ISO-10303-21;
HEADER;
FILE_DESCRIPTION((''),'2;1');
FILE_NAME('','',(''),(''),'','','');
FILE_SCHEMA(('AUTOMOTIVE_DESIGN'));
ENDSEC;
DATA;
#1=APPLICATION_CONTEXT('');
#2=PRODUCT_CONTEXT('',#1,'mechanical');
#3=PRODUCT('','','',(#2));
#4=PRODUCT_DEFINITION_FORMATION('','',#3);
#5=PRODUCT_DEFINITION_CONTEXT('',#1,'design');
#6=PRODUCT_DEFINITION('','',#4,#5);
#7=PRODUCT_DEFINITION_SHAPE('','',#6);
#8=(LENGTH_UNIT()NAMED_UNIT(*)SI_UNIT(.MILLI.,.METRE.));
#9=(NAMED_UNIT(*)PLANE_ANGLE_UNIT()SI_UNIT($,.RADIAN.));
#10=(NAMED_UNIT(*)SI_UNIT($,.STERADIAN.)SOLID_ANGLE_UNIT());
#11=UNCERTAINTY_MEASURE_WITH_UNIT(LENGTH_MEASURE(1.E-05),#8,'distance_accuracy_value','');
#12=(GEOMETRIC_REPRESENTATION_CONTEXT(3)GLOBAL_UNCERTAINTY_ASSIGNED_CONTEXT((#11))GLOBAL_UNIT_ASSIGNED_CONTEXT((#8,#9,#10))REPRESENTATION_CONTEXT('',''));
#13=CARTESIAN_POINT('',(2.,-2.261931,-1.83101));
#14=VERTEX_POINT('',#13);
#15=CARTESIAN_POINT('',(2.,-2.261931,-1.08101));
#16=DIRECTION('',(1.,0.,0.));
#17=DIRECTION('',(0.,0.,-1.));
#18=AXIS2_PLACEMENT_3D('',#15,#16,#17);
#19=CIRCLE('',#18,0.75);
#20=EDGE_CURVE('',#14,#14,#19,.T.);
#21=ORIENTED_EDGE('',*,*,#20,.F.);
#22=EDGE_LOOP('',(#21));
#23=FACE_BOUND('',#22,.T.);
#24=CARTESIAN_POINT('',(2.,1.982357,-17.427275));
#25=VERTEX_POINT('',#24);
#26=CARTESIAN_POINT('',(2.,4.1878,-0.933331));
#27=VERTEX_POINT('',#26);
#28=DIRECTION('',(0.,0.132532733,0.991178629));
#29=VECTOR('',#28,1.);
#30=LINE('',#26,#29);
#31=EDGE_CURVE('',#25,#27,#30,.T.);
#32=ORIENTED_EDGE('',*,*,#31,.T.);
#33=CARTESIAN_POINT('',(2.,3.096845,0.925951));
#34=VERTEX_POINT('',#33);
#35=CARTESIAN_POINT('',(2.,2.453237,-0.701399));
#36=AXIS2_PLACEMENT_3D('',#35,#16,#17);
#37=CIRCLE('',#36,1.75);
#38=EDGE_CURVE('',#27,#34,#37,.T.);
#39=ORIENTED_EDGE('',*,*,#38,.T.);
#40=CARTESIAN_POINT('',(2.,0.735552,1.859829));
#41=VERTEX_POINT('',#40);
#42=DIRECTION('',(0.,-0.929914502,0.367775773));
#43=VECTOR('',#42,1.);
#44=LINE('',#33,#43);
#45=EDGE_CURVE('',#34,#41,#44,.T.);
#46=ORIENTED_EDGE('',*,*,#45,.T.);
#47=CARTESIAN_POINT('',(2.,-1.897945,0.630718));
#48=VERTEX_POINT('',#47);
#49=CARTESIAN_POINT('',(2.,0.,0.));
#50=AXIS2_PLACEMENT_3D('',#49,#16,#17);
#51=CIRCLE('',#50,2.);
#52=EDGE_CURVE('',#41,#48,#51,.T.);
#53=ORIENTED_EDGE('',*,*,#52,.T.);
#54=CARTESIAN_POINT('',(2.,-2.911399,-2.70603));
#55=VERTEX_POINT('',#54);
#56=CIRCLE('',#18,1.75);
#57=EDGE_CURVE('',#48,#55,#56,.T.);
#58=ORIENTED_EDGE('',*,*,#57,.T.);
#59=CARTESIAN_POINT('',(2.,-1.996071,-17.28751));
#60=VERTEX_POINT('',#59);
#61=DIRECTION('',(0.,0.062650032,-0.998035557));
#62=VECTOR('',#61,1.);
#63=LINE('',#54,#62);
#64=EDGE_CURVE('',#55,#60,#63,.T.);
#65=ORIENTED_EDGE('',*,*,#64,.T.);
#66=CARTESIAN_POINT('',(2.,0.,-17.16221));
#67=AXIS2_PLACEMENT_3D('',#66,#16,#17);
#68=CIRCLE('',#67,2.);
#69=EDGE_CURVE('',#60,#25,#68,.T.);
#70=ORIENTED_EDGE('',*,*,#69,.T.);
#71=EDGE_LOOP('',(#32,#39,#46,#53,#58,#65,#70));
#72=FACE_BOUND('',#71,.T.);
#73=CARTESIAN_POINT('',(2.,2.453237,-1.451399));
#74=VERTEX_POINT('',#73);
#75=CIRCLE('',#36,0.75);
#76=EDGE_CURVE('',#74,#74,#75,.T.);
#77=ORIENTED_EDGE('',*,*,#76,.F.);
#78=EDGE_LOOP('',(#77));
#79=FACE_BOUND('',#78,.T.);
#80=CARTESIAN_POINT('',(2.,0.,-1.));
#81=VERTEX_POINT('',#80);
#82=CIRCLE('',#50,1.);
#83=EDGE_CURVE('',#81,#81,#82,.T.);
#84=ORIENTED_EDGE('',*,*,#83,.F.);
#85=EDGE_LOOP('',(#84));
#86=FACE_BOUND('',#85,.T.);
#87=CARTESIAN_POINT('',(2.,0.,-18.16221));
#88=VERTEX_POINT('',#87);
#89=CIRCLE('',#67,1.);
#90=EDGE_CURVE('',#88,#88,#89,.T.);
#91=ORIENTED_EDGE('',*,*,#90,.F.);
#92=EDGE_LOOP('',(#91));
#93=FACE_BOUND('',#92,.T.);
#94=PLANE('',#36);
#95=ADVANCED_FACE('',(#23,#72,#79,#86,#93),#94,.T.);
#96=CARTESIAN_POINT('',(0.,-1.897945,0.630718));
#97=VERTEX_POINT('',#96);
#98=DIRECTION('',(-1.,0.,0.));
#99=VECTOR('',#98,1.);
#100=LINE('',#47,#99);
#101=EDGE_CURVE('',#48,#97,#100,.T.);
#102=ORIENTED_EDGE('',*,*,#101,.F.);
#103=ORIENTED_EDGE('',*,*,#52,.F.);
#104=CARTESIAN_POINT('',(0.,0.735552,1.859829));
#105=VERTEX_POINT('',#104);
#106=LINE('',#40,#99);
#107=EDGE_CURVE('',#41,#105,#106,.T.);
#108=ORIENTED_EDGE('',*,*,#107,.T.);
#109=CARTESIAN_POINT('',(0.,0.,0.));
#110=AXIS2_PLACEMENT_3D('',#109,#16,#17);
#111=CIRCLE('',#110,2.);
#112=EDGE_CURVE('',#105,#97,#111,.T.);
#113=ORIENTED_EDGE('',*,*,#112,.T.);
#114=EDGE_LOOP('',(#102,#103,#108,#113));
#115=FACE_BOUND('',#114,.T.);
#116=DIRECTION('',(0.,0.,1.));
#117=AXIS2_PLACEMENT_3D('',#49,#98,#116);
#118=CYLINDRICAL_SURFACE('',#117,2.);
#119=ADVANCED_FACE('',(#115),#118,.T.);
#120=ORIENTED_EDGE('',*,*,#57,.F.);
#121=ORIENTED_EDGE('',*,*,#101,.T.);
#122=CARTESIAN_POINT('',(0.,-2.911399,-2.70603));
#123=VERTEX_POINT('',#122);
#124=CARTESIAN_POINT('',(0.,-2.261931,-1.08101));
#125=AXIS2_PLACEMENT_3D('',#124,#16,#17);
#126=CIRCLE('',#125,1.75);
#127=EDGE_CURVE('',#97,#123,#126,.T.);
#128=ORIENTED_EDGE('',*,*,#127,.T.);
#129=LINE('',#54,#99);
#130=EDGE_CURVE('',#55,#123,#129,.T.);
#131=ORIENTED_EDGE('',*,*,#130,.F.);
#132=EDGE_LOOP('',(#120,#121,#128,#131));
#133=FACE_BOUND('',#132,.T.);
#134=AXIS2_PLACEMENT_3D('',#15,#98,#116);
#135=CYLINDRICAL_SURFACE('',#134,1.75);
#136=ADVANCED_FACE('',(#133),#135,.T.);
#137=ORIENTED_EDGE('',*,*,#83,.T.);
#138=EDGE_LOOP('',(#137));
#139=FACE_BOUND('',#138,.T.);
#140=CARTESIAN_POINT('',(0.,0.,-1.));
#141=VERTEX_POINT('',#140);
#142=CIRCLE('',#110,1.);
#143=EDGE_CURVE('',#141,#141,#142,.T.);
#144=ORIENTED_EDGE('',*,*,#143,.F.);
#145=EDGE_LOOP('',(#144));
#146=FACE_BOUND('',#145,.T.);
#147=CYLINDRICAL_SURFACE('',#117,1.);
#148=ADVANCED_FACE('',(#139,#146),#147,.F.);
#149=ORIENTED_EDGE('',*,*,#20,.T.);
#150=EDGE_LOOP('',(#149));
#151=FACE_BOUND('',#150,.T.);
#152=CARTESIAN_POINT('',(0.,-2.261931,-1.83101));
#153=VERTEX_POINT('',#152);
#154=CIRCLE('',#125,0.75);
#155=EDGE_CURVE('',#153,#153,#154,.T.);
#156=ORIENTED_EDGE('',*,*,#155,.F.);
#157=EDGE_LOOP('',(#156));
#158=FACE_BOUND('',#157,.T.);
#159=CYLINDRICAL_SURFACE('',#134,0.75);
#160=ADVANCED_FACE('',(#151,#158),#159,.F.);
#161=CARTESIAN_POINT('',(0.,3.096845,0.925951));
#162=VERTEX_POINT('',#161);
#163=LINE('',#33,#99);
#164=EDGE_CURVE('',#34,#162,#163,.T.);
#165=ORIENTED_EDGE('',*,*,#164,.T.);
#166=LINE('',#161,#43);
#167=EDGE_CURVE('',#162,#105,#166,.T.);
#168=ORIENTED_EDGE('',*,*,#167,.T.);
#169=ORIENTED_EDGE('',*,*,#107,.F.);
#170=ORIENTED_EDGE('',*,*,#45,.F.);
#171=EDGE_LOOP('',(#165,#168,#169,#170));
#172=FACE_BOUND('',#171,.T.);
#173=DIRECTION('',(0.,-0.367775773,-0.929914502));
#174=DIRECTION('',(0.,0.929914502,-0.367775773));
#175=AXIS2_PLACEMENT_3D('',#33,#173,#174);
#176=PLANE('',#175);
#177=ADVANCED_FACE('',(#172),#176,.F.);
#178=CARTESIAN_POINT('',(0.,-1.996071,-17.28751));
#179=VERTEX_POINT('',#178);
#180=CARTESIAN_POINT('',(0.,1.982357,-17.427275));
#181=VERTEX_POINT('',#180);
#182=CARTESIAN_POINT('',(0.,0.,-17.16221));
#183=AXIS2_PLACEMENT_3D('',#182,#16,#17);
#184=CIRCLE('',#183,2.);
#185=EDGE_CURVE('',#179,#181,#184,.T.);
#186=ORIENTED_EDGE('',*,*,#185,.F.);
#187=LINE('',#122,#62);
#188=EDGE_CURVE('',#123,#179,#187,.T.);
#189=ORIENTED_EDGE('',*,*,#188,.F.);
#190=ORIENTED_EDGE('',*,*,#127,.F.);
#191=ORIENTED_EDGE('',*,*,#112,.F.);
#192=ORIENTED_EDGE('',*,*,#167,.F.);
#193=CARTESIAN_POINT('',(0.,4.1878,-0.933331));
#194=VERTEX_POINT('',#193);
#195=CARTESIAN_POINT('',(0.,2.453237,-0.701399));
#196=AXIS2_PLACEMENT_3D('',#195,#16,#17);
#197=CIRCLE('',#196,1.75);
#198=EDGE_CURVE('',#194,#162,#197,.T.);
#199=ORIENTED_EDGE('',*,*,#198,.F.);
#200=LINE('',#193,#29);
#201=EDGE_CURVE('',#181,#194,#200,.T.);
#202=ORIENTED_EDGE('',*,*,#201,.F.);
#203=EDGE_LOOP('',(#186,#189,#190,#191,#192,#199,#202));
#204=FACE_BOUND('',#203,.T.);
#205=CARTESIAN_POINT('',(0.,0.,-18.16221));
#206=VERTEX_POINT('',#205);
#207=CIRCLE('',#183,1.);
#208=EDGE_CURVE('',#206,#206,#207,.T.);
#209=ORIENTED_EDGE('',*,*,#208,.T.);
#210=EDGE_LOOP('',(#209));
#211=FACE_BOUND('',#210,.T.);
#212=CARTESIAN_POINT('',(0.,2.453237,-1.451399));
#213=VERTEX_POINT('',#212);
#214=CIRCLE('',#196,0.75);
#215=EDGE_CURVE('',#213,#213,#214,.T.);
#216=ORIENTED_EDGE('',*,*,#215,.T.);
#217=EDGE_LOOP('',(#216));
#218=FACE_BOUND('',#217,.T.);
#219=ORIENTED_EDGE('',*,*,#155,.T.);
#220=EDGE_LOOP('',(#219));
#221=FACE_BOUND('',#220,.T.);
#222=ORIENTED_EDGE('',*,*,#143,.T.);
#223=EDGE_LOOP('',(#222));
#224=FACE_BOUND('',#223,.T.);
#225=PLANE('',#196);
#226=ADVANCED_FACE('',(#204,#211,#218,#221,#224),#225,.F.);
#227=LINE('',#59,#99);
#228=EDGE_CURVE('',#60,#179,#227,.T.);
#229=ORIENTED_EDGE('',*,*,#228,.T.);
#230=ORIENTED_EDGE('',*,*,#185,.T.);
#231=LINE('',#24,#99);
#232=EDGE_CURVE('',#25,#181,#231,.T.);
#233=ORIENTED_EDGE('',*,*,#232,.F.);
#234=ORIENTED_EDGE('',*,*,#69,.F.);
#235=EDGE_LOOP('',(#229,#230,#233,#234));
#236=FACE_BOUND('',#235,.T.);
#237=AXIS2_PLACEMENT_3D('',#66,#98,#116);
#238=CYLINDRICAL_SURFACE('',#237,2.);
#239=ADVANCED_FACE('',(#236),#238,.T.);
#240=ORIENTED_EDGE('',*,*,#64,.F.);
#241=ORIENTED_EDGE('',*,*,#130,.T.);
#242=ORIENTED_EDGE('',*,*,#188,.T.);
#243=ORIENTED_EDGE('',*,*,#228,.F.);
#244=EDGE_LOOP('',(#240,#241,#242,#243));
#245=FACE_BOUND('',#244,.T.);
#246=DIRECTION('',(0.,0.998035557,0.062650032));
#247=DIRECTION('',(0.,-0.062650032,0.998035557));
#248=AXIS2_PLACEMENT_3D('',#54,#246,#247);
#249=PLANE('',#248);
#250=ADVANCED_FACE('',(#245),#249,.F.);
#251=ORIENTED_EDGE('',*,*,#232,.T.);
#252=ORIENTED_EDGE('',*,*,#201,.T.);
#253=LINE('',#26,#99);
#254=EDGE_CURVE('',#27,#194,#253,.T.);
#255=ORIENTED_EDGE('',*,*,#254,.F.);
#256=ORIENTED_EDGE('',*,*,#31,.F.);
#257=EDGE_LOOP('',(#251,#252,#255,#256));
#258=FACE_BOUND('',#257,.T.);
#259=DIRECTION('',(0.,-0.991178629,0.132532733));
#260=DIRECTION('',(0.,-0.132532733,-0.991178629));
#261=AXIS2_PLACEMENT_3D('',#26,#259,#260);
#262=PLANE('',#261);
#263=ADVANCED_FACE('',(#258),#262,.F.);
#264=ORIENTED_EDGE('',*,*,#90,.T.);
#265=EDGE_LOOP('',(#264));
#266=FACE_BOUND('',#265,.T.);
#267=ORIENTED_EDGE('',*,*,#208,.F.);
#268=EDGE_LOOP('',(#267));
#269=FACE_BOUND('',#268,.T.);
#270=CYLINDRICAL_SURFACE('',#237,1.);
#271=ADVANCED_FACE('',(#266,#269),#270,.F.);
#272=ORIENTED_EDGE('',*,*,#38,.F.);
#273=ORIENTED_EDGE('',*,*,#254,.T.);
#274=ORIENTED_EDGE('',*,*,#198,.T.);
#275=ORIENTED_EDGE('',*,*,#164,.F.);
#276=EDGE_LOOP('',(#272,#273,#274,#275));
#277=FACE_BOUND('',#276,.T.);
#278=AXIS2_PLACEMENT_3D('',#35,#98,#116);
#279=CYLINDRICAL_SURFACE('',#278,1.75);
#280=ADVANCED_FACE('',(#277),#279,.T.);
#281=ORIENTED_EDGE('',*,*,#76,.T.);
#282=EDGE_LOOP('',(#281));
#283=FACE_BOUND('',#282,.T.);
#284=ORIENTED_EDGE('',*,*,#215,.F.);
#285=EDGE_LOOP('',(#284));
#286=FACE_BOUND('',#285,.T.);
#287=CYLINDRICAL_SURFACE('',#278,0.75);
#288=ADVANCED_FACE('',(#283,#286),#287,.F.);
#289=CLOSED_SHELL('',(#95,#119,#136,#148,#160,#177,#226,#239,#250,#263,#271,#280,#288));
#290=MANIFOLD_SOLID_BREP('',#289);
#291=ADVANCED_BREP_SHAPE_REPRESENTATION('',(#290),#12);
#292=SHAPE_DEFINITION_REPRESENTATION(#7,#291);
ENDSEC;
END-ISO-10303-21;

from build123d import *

# Parameters (mm, degrees)
SKETCH1_R           = 1
SKETCH1_R_2         = 0.75
BOSS_EXTRUDE1_DEPTH = 2


with BuildPart() as part:
    # Sketch1 → Boss-Extrude1 (new body)
    with BuildSketch(Plane(origin=(0, 0, 0), x_dir=(0, 0, -1), z_dir=(1, 0, 0))):
        with BuildLine():
            Line((2.706030377, -2.911399365), (17.287509609, -1.996071114))
            ThreePointArc((17.287509609, -1.996071114), (19.160976512, -0.070218298), (17.427275011, 1.982357258))
            Line((17.427275011, 1.982357258), (0.933331362, 4.187799716))
            ThreePointArc((0.933331362, 4.187799716), (-0.184232683, 3.962593396), (-0.925951299, 3.096844717))
            Line((-0.925951299, 3.096844717), (-1.859829004, 0.735551545))
            ThreePointArc((-1.859829004, 0.735551545), (-1.812327837, -0.845853303), (-0.63071828, -1.897944797))
            ThreePointArc((-0.63071828, -1.897944797), (0.572431558, -3.93640053), (2.706030377, -2.911399365))
        make_face()
        Circle(SKETCH1_R, mode=Mode.SUBTRACT)
        with Locations((17.162209545, 0)):
            Circle(SKETCH1_R, mode=Mode.SUBTRACT)
        with Locations((0.701399079, 2.453237115)):
            Circle(SKETCH1_R_2, mode=Mode.SUBTRACT)
        with Locations((1.081010079, -2.261931096)):
            Circle(SKETCH1_R_2, mode=Mode.SUBTRACT)
    extrude(amount=BOSS_EXTRUDE1_DEPTH)


solid = part.part
